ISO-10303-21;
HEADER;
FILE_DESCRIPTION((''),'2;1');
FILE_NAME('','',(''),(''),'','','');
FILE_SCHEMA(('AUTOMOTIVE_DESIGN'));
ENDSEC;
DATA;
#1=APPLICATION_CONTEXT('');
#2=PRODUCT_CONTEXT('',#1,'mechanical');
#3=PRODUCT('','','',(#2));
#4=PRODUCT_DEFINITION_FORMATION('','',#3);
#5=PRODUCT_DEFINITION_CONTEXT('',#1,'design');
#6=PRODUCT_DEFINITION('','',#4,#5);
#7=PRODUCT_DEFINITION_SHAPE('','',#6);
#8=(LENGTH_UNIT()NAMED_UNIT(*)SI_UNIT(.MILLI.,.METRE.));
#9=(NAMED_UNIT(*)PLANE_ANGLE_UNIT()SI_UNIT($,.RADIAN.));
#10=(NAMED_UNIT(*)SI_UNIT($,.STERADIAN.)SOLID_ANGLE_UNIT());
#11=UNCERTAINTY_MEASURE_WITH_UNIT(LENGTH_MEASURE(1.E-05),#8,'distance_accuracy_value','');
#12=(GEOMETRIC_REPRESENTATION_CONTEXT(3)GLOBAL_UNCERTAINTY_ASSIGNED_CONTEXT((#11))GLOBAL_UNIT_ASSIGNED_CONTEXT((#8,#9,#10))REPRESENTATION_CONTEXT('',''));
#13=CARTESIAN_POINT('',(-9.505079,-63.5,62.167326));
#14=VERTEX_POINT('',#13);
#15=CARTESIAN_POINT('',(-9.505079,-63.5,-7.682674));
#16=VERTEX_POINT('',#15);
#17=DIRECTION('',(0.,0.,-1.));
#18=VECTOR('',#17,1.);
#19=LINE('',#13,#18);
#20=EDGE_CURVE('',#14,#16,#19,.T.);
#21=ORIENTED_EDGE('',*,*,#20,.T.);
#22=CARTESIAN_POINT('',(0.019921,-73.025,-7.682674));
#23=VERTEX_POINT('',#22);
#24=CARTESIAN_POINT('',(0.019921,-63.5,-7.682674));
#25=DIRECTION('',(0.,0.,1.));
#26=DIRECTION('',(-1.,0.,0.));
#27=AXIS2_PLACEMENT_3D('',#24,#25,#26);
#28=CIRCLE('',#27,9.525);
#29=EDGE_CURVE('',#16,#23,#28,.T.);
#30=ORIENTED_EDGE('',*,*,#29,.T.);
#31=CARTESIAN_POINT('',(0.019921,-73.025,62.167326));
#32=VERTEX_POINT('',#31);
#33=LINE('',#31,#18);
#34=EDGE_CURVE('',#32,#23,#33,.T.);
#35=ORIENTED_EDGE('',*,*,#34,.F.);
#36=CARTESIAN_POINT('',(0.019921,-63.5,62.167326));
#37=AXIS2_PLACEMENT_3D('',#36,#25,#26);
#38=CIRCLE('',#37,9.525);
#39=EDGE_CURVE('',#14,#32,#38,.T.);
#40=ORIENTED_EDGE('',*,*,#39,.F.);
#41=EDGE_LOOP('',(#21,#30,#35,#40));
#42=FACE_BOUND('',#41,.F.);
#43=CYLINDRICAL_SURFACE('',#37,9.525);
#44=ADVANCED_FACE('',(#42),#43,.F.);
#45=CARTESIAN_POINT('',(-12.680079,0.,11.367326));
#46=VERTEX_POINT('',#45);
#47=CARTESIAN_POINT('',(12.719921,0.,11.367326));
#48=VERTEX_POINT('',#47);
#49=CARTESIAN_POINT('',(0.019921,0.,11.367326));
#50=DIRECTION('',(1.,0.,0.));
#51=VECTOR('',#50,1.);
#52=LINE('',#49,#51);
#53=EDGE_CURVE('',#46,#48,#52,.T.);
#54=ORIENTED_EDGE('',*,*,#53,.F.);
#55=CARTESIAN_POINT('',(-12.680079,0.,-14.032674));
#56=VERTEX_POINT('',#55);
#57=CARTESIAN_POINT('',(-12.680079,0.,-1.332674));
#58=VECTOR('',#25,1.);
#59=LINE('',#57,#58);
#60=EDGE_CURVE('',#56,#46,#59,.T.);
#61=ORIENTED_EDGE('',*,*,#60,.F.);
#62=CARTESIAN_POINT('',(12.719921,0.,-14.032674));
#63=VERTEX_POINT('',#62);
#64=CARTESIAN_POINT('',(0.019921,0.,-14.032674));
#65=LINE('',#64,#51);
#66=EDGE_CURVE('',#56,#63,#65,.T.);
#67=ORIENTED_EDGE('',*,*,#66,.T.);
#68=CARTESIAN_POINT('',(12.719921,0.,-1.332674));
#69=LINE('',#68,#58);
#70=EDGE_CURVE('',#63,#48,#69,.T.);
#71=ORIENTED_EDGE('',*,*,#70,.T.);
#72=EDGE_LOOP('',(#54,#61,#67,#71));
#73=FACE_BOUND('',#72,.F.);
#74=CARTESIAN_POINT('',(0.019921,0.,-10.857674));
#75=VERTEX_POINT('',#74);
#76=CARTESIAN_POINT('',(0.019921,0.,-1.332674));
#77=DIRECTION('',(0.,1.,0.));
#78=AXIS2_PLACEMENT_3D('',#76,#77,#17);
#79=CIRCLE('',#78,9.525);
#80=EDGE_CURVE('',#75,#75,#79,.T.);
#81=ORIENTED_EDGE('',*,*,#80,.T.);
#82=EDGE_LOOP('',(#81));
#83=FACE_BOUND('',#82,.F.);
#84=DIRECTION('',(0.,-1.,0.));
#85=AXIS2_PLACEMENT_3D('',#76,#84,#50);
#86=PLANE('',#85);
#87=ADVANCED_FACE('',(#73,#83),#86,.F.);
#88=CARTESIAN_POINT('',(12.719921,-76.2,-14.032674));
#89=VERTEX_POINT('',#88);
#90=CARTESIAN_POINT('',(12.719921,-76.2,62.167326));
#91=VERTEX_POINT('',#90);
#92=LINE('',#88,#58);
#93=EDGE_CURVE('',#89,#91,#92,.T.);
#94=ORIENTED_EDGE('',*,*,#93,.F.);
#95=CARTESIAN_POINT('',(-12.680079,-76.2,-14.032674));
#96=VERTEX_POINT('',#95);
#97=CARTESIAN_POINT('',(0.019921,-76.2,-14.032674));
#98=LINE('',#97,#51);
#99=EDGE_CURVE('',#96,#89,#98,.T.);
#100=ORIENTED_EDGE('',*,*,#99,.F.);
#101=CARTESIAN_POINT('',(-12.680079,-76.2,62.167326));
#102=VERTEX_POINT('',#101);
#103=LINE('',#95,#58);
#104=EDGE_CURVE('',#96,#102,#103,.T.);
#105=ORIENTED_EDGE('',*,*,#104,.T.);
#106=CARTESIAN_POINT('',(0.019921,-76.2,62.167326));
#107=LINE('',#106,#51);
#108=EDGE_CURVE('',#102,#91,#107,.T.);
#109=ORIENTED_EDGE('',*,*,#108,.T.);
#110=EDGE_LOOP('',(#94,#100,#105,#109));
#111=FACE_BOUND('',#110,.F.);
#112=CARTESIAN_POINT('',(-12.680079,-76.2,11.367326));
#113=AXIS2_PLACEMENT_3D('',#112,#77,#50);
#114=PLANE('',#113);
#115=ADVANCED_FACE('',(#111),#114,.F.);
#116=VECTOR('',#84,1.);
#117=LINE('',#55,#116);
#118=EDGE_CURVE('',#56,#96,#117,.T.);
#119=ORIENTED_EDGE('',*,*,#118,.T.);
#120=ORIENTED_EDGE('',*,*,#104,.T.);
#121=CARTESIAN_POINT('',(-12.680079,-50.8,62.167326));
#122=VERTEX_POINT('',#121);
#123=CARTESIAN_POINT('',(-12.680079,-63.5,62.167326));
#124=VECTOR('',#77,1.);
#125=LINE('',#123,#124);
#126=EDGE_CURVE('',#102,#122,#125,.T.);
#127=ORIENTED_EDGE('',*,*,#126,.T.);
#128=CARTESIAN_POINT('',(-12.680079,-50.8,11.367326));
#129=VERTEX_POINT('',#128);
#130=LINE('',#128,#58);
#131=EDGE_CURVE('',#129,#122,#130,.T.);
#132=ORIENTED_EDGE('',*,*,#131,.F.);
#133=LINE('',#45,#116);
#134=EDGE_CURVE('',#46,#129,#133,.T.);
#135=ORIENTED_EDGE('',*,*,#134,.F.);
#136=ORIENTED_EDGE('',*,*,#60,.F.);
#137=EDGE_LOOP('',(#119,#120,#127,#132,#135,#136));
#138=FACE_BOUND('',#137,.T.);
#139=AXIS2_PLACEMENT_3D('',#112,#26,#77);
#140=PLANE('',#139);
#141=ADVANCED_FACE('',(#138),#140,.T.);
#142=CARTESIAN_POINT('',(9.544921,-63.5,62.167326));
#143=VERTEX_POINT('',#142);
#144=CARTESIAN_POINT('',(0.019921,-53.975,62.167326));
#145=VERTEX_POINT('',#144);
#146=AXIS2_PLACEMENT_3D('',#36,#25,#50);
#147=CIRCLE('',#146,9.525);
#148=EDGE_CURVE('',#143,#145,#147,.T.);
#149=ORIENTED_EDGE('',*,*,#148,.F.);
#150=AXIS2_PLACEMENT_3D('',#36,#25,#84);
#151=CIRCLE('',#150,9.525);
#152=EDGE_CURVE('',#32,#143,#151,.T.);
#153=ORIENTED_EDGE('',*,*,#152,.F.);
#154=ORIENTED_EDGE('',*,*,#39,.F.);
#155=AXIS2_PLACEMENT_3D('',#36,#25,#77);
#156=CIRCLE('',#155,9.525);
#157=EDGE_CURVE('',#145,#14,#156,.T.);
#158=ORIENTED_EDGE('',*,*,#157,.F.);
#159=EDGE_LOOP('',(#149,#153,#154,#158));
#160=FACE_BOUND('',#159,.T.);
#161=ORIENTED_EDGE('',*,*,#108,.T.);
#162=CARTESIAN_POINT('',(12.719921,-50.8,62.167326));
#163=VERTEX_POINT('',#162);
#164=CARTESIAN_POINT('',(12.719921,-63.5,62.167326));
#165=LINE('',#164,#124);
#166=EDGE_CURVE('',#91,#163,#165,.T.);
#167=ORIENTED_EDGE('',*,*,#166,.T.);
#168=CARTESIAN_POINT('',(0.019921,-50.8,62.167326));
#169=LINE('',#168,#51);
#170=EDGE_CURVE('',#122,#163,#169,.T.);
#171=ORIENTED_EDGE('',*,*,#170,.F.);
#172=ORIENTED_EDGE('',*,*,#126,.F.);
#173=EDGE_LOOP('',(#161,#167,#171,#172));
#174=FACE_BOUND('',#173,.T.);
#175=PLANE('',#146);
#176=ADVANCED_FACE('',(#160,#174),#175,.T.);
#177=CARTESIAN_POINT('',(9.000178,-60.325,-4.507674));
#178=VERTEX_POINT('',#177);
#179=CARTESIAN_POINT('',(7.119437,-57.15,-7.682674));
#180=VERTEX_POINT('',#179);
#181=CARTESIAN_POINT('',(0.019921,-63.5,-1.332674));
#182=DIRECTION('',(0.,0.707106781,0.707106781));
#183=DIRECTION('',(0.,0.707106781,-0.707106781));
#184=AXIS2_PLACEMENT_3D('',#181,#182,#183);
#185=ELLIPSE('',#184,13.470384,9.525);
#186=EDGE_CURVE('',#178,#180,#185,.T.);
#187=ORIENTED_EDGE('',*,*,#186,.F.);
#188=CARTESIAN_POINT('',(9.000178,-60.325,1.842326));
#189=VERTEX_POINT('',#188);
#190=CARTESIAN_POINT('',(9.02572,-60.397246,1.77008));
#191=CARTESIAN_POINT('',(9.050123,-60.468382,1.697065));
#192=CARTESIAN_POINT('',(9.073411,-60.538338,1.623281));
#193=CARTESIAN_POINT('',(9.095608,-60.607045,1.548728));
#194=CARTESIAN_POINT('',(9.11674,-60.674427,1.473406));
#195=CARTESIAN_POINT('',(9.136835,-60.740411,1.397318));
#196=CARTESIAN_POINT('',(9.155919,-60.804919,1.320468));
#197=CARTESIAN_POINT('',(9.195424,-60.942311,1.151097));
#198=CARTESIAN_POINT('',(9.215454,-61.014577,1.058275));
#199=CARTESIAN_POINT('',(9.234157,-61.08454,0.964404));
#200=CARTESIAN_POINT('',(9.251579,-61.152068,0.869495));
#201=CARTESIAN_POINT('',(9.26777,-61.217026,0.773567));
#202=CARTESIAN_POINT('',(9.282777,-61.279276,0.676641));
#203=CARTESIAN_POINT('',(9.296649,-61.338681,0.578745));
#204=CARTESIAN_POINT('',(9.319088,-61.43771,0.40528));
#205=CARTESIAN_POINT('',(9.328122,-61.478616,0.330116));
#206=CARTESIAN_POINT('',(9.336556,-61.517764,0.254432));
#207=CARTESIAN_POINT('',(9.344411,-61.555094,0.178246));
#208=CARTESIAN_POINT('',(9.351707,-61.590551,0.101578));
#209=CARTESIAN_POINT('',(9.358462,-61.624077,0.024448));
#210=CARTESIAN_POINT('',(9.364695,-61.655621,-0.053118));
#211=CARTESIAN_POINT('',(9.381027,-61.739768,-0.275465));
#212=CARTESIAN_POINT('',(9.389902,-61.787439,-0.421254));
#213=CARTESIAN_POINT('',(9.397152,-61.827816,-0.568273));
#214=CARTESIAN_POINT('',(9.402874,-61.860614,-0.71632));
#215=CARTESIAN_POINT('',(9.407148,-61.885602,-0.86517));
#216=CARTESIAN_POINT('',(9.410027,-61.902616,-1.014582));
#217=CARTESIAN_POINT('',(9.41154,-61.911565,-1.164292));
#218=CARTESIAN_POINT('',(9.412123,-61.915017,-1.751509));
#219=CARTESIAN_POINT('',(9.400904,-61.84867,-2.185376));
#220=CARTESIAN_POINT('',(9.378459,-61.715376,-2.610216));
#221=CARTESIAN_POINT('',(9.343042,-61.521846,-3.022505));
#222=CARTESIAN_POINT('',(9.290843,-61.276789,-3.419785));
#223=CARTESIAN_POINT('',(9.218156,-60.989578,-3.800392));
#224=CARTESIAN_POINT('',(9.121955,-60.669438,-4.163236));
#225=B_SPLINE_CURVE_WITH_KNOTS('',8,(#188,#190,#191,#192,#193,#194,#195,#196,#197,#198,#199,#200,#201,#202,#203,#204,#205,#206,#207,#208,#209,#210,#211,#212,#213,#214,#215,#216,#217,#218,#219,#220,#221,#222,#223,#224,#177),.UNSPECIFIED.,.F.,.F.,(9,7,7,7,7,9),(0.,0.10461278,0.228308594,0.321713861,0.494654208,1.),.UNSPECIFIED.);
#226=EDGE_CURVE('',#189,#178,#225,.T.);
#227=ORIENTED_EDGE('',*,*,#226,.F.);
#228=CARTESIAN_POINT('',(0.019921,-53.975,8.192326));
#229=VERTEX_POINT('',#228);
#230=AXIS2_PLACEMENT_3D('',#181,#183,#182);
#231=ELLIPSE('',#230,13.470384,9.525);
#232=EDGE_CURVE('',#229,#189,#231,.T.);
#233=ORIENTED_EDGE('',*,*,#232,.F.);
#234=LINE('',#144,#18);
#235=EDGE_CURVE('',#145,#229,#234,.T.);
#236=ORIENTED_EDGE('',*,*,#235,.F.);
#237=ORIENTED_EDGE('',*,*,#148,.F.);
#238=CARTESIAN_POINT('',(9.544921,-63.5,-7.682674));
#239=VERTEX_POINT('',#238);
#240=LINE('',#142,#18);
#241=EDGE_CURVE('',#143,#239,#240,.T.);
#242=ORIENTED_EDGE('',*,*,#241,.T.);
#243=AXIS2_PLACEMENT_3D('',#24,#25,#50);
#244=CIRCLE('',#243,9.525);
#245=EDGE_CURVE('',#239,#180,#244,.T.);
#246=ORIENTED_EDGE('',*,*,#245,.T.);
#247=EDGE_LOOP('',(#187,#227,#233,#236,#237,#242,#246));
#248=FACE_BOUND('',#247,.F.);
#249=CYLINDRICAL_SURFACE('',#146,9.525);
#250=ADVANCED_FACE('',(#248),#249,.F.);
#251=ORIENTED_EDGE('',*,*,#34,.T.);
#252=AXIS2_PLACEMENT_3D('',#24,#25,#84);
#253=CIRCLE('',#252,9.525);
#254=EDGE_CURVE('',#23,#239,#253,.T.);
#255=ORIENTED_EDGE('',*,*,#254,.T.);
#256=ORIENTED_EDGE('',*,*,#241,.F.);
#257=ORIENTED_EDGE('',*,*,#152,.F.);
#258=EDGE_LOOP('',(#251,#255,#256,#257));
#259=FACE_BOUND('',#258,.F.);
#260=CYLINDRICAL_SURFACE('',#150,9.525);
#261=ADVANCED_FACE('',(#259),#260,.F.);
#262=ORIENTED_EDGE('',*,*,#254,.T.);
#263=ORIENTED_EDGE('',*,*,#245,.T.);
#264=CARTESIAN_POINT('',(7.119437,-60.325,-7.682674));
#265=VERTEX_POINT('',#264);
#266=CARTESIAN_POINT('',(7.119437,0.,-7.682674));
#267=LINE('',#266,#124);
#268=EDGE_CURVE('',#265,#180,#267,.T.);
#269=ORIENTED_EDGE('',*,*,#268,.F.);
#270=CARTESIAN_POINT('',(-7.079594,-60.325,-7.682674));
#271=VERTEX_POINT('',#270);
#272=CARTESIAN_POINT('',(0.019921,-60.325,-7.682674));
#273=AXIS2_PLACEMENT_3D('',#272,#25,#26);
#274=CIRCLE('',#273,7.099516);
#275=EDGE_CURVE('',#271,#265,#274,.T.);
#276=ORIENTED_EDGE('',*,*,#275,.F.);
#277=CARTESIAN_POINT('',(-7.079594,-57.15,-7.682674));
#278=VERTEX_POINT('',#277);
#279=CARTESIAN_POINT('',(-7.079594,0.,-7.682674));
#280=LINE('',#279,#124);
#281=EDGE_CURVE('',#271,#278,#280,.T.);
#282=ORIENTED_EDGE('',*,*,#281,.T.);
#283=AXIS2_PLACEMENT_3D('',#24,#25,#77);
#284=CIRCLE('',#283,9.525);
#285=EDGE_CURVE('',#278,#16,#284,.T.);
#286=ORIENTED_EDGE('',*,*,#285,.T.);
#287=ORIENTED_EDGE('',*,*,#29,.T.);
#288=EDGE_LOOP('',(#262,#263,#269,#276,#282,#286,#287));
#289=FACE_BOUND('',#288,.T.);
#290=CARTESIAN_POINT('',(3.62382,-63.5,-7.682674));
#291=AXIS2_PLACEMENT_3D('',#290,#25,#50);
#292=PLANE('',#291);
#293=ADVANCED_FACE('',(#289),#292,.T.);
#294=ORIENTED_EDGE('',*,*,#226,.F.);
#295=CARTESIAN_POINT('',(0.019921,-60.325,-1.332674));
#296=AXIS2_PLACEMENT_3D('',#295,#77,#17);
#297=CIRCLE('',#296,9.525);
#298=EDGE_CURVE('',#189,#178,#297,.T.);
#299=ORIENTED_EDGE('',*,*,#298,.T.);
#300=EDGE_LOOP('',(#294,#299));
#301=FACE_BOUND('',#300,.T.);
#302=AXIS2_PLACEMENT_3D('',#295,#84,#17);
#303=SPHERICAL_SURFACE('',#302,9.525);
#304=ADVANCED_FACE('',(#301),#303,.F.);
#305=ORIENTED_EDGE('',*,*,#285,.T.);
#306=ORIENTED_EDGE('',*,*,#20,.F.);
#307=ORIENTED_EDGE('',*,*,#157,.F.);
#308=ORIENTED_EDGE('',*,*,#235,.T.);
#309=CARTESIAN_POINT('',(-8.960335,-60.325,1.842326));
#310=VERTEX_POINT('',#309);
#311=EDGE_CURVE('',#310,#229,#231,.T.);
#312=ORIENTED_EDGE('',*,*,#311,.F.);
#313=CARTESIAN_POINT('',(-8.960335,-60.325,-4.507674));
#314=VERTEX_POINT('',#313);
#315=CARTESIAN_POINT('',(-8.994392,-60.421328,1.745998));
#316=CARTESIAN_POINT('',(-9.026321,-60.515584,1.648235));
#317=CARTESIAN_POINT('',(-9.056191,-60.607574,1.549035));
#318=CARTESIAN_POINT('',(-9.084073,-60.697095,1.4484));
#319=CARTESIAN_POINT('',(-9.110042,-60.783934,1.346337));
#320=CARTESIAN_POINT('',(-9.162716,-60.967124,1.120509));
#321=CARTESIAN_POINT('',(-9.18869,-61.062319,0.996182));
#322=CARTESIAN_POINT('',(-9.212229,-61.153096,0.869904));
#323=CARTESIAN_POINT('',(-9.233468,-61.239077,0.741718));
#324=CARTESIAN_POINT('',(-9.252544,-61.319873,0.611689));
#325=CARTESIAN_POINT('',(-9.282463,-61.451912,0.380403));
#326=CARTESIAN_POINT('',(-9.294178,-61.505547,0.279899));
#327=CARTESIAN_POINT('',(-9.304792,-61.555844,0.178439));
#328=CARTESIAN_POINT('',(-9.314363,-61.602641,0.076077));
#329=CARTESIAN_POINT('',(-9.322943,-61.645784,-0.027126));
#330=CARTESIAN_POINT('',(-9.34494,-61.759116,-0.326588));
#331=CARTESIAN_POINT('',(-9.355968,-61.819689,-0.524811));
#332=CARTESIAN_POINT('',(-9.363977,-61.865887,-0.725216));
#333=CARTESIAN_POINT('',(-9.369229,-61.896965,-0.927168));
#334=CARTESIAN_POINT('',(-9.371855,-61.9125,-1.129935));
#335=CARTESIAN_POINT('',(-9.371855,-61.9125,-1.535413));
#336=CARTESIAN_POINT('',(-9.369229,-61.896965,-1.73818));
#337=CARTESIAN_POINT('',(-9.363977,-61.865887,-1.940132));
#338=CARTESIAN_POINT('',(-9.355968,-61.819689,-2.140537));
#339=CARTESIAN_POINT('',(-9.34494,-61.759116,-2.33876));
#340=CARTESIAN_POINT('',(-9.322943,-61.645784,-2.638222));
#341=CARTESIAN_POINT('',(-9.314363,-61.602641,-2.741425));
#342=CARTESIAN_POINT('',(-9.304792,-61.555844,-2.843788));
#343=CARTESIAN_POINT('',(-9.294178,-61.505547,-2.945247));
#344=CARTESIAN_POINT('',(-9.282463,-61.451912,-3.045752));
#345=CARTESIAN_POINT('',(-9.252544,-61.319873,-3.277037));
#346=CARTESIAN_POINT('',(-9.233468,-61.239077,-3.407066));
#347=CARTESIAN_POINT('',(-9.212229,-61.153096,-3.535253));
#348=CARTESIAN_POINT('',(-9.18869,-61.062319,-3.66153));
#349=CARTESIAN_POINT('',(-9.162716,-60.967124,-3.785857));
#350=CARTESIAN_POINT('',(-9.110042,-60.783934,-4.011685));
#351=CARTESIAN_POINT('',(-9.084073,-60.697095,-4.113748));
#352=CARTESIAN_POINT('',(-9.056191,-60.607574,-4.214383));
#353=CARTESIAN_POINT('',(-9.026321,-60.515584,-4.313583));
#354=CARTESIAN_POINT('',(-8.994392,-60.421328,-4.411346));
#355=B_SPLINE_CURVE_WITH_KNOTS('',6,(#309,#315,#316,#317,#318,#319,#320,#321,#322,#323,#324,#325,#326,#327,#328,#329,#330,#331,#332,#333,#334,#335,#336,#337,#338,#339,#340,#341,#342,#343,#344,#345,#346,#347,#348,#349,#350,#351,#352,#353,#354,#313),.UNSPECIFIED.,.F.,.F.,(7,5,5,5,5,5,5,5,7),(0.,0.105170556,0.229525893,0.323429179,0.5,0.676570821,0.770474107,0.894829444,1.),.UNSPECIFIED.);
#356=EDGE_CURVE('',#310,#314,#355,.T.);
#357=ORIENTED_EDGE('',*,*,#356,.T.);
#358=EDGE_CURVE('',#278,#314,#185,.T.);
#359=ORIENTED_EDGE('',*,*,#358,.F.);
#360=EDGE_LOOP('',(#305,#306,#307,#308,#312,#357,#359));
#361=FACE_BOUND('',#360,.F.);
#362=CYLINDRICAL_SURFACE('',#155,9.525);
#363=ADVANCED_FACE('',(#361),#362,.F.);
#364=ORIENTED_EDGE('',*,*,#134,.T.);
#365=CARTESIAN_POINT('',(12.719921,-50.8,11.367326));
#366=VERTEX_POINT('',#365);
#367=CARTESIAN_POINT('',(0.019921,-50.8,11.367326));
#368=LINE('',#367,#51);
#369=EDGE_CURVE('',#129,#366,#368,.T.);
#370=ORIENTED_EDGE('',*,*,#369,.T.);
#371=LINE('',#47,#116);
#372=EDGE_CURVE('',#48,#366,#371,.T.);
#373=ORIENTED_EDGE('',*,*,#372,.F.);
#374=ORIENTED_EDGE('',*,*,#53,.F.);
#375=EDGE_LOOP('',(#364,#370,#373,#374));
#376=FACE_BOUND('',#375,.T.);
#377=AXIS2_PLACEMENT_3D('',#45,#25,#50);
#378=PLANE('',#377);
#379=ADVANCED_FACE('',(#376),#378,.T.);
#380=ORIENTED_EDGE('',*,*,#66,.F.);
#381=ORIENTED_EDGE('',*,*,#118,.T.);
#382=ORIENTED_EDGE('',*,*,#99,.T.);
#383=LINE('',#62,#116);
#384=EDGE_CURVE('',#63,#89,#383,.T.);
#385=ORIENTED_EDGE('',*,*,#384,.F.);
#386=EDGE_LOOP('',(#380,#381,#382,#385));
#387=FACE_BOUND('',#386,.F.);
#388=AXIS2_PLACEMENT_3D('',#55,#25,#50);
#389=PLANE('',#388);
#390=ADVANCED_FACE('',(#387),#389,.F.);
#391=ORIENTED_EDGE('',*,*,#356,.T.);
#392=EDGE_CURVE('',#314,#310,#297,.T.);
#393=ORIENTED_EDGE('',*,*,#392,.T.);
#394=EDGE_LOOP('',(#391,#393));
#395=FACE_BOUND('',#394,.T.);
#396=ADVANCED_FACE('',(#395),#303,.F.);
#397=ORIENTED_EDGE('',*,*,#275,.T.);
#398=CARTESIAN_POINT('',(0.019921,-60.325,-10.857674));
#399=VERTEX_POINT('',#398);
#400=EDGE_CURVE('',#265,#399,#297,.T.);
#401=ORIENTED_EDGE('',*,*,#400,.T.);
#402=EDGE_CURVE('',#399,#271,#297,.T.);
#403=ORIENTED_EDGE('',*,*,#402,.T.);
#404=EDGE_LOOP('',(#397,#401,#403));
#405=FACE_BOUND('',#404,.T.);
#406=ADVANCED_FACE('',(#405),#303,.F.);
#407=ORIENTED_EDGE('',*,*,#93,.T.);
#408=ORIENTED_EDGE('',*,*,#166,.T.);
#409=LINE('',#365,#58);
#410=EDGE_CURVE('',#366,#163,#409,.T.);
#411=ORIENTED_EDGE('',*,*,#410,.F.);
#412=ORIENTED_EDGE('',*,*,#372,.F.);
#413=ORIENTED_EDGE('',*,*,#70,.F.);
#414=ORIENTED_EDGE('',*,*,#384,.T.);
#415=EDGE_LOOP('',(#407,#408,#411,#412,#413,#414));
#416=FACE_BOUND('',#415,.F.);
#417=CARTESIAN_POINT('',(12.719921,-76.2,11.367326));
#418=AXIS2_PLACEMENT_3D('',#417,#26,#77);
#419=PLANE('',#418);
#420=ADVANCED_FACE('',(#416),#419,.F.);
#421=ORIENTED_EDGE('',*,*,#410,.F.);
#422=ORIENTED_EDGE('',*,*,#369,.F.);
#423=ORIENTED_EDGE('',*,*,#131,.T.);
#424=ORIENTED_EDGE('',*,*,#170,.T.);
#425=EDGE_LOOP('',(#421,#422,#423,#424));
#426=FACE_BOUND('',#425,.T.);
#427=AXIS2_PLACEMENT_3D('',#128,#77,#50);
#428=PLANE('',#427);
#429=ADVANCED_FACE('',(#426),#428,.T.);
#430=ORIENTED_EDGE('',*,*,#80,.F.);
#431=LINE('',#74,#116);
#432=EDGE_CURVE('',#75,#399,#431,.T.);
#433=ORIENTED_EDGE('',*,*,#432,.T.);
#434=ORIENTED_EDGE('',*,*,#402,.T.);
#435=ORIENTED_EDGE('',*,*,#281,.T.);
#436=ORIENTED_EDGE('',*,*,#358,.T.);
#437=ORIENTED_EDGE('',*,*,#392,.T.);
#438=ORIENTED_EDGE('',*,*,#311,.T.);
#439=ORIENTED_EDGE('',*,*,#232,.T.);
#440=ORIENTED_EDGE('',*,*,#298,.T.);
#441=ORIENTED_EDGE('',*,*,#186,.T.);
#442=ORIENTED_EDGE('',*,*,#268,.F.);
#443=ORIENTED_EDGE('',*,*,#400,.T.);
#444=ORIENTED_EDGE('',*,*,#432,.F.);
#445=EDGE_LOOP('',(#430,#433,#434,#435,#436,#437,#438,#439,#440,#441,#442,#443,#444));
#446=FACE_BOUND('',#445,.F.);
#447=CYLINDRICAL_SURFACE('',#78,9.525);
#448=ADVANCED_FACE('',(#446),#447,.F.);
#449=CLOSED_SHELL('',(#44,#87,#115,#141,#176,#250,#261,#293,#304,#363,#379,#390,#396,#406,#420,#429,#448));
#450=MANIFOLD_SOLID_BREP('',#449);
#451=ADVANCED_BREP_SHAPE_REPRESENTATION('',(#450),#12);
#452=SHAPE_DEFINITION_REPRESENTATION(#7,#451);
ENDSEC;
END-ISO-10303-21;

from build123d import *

# Parameters (mm, degrees)
F0_W     = 25.4
F0_H     = 25.4
F1_DEPTH = 76.2
F2_W     = 25.4
F2_H     = 25.4
F3_DEPTH = 50.8
F5_DEPTH = 69.85
F7_R     = 9.525
F8_DEPTH = 69.85


with BuildPart() as f1:
    # F0 (on Front) → F1 (new body)
    with BuildSketch(Plane.XZ):
        with Locations((0.0199213878, -1.3326740591)):
            Rectangle(F0_W, F0_H)
    extrude(amount=F1_DEPTH)

    # F2 (on face) → F3 (join)
    with BuildSketch(Plane.XY.offset(11.3673259409)):
        with Locations((0.0199213878, -63.5)):
            Rectangle(F2_W, F2_H)
    extrude(amount=F3_DEPTH)

    # F4 (on face) → F5 (cut)
    with BuildSketch(Plane(origin=(0, 0, 0), x_dir=(-1, 0, 0), z_dir=(0, 1, 0))):
        with BuildLine():
            ThreePointArc((-0.0199213878, -10.8576740591), (6.715270703, -8.0678661499), (9.5050786122, -1.3326740591))
            Line((9.5050786122, -1.3326740591), (-0.0199213878, -1.3326740591))
            Line((-0.0199213878, -1.3326740591), (-0.0199213878, -10.8576740591))
        make_face()
        with BuildLine():
            Line((-0.0199213878, -10.8576740591), (-0.0199213878, -1.3326740591))
            Line((-0.0199213878, -1.3326740591), (-9.5449213878, -1.3326740591))
            ThreePointArc((-9.5449213878, -1.3326740591), (-6.7551134786, -8.0678661499), (-0.0199213878, -10.8576740591))
        make_face()
        with BuildLine():
            Line((-0.0199213878, -1.3326740591), (9.5050786122, -1.3326740591))
            ThreePointArc((9.5050786122, -1.3326740591), (-0.0199213878, 8.1923259409), (-9.5449213878, -1.3326740591))
            Line((-9.5449213878, -1.3326740591), (-0.0199213878, -1.3326740591))
        make_face()
    extrude(amount=-F5_DEPTH, mode=Mode.SUBTRACT)

    # F7
    f7_edges = [f1.edges().sort_by_distance(p)[0] for p in [
        (9.544921, -69.85, -1.332674),
    ]]
    fillet(f7_edges, radius=F7_R)

    # F6 (on face) → F8 (cut)
    with BuildSketch(Plane.XY.offset(62.1673259409)):
        with BuildLine():
            ThreePointArc((9.5449213878, -63.5), (6.7551134786, -56.7648079092), (0.0199213878, -53.975))
            Line((0.0199213878, -53.975), (0.0199213878, -63.5))
            Line((0.0199213878, -63.5), (0.0199213878, -73.025))
            ThreePointArc((0.0199213878, -73.025), (6.7551134786, -70.2351920908), (9.5449213878, -63.5))
        make_face()
        with BuildLine():
            Line((0.0199213878, -73.025), (0.0199213878, -63.5))
            Line((0.0199213878, -63.5), (-9.5050786122, -63.5))
            ThreePointArc((-9.5050786122, -63.5), (-6.715270703, -70.2351920908), (0.0199213878, -73.025))
        make_face()
        with BuildLine():
            Line((0.0199213878, -63.5), (0.0199213878, -53.975))
            ThreePointArc((0.0199213878, -53.975), (-6.715270703, -56.7648079092), (-9.5050786122, -63.5))
            Line((-9.5050786122, -63.5), (0.0199213878, -63.5))
        make_face()
    extrude(amount=-F8_DEPTH, mode=Mode.SUBTRACT)


solid = f1.part
